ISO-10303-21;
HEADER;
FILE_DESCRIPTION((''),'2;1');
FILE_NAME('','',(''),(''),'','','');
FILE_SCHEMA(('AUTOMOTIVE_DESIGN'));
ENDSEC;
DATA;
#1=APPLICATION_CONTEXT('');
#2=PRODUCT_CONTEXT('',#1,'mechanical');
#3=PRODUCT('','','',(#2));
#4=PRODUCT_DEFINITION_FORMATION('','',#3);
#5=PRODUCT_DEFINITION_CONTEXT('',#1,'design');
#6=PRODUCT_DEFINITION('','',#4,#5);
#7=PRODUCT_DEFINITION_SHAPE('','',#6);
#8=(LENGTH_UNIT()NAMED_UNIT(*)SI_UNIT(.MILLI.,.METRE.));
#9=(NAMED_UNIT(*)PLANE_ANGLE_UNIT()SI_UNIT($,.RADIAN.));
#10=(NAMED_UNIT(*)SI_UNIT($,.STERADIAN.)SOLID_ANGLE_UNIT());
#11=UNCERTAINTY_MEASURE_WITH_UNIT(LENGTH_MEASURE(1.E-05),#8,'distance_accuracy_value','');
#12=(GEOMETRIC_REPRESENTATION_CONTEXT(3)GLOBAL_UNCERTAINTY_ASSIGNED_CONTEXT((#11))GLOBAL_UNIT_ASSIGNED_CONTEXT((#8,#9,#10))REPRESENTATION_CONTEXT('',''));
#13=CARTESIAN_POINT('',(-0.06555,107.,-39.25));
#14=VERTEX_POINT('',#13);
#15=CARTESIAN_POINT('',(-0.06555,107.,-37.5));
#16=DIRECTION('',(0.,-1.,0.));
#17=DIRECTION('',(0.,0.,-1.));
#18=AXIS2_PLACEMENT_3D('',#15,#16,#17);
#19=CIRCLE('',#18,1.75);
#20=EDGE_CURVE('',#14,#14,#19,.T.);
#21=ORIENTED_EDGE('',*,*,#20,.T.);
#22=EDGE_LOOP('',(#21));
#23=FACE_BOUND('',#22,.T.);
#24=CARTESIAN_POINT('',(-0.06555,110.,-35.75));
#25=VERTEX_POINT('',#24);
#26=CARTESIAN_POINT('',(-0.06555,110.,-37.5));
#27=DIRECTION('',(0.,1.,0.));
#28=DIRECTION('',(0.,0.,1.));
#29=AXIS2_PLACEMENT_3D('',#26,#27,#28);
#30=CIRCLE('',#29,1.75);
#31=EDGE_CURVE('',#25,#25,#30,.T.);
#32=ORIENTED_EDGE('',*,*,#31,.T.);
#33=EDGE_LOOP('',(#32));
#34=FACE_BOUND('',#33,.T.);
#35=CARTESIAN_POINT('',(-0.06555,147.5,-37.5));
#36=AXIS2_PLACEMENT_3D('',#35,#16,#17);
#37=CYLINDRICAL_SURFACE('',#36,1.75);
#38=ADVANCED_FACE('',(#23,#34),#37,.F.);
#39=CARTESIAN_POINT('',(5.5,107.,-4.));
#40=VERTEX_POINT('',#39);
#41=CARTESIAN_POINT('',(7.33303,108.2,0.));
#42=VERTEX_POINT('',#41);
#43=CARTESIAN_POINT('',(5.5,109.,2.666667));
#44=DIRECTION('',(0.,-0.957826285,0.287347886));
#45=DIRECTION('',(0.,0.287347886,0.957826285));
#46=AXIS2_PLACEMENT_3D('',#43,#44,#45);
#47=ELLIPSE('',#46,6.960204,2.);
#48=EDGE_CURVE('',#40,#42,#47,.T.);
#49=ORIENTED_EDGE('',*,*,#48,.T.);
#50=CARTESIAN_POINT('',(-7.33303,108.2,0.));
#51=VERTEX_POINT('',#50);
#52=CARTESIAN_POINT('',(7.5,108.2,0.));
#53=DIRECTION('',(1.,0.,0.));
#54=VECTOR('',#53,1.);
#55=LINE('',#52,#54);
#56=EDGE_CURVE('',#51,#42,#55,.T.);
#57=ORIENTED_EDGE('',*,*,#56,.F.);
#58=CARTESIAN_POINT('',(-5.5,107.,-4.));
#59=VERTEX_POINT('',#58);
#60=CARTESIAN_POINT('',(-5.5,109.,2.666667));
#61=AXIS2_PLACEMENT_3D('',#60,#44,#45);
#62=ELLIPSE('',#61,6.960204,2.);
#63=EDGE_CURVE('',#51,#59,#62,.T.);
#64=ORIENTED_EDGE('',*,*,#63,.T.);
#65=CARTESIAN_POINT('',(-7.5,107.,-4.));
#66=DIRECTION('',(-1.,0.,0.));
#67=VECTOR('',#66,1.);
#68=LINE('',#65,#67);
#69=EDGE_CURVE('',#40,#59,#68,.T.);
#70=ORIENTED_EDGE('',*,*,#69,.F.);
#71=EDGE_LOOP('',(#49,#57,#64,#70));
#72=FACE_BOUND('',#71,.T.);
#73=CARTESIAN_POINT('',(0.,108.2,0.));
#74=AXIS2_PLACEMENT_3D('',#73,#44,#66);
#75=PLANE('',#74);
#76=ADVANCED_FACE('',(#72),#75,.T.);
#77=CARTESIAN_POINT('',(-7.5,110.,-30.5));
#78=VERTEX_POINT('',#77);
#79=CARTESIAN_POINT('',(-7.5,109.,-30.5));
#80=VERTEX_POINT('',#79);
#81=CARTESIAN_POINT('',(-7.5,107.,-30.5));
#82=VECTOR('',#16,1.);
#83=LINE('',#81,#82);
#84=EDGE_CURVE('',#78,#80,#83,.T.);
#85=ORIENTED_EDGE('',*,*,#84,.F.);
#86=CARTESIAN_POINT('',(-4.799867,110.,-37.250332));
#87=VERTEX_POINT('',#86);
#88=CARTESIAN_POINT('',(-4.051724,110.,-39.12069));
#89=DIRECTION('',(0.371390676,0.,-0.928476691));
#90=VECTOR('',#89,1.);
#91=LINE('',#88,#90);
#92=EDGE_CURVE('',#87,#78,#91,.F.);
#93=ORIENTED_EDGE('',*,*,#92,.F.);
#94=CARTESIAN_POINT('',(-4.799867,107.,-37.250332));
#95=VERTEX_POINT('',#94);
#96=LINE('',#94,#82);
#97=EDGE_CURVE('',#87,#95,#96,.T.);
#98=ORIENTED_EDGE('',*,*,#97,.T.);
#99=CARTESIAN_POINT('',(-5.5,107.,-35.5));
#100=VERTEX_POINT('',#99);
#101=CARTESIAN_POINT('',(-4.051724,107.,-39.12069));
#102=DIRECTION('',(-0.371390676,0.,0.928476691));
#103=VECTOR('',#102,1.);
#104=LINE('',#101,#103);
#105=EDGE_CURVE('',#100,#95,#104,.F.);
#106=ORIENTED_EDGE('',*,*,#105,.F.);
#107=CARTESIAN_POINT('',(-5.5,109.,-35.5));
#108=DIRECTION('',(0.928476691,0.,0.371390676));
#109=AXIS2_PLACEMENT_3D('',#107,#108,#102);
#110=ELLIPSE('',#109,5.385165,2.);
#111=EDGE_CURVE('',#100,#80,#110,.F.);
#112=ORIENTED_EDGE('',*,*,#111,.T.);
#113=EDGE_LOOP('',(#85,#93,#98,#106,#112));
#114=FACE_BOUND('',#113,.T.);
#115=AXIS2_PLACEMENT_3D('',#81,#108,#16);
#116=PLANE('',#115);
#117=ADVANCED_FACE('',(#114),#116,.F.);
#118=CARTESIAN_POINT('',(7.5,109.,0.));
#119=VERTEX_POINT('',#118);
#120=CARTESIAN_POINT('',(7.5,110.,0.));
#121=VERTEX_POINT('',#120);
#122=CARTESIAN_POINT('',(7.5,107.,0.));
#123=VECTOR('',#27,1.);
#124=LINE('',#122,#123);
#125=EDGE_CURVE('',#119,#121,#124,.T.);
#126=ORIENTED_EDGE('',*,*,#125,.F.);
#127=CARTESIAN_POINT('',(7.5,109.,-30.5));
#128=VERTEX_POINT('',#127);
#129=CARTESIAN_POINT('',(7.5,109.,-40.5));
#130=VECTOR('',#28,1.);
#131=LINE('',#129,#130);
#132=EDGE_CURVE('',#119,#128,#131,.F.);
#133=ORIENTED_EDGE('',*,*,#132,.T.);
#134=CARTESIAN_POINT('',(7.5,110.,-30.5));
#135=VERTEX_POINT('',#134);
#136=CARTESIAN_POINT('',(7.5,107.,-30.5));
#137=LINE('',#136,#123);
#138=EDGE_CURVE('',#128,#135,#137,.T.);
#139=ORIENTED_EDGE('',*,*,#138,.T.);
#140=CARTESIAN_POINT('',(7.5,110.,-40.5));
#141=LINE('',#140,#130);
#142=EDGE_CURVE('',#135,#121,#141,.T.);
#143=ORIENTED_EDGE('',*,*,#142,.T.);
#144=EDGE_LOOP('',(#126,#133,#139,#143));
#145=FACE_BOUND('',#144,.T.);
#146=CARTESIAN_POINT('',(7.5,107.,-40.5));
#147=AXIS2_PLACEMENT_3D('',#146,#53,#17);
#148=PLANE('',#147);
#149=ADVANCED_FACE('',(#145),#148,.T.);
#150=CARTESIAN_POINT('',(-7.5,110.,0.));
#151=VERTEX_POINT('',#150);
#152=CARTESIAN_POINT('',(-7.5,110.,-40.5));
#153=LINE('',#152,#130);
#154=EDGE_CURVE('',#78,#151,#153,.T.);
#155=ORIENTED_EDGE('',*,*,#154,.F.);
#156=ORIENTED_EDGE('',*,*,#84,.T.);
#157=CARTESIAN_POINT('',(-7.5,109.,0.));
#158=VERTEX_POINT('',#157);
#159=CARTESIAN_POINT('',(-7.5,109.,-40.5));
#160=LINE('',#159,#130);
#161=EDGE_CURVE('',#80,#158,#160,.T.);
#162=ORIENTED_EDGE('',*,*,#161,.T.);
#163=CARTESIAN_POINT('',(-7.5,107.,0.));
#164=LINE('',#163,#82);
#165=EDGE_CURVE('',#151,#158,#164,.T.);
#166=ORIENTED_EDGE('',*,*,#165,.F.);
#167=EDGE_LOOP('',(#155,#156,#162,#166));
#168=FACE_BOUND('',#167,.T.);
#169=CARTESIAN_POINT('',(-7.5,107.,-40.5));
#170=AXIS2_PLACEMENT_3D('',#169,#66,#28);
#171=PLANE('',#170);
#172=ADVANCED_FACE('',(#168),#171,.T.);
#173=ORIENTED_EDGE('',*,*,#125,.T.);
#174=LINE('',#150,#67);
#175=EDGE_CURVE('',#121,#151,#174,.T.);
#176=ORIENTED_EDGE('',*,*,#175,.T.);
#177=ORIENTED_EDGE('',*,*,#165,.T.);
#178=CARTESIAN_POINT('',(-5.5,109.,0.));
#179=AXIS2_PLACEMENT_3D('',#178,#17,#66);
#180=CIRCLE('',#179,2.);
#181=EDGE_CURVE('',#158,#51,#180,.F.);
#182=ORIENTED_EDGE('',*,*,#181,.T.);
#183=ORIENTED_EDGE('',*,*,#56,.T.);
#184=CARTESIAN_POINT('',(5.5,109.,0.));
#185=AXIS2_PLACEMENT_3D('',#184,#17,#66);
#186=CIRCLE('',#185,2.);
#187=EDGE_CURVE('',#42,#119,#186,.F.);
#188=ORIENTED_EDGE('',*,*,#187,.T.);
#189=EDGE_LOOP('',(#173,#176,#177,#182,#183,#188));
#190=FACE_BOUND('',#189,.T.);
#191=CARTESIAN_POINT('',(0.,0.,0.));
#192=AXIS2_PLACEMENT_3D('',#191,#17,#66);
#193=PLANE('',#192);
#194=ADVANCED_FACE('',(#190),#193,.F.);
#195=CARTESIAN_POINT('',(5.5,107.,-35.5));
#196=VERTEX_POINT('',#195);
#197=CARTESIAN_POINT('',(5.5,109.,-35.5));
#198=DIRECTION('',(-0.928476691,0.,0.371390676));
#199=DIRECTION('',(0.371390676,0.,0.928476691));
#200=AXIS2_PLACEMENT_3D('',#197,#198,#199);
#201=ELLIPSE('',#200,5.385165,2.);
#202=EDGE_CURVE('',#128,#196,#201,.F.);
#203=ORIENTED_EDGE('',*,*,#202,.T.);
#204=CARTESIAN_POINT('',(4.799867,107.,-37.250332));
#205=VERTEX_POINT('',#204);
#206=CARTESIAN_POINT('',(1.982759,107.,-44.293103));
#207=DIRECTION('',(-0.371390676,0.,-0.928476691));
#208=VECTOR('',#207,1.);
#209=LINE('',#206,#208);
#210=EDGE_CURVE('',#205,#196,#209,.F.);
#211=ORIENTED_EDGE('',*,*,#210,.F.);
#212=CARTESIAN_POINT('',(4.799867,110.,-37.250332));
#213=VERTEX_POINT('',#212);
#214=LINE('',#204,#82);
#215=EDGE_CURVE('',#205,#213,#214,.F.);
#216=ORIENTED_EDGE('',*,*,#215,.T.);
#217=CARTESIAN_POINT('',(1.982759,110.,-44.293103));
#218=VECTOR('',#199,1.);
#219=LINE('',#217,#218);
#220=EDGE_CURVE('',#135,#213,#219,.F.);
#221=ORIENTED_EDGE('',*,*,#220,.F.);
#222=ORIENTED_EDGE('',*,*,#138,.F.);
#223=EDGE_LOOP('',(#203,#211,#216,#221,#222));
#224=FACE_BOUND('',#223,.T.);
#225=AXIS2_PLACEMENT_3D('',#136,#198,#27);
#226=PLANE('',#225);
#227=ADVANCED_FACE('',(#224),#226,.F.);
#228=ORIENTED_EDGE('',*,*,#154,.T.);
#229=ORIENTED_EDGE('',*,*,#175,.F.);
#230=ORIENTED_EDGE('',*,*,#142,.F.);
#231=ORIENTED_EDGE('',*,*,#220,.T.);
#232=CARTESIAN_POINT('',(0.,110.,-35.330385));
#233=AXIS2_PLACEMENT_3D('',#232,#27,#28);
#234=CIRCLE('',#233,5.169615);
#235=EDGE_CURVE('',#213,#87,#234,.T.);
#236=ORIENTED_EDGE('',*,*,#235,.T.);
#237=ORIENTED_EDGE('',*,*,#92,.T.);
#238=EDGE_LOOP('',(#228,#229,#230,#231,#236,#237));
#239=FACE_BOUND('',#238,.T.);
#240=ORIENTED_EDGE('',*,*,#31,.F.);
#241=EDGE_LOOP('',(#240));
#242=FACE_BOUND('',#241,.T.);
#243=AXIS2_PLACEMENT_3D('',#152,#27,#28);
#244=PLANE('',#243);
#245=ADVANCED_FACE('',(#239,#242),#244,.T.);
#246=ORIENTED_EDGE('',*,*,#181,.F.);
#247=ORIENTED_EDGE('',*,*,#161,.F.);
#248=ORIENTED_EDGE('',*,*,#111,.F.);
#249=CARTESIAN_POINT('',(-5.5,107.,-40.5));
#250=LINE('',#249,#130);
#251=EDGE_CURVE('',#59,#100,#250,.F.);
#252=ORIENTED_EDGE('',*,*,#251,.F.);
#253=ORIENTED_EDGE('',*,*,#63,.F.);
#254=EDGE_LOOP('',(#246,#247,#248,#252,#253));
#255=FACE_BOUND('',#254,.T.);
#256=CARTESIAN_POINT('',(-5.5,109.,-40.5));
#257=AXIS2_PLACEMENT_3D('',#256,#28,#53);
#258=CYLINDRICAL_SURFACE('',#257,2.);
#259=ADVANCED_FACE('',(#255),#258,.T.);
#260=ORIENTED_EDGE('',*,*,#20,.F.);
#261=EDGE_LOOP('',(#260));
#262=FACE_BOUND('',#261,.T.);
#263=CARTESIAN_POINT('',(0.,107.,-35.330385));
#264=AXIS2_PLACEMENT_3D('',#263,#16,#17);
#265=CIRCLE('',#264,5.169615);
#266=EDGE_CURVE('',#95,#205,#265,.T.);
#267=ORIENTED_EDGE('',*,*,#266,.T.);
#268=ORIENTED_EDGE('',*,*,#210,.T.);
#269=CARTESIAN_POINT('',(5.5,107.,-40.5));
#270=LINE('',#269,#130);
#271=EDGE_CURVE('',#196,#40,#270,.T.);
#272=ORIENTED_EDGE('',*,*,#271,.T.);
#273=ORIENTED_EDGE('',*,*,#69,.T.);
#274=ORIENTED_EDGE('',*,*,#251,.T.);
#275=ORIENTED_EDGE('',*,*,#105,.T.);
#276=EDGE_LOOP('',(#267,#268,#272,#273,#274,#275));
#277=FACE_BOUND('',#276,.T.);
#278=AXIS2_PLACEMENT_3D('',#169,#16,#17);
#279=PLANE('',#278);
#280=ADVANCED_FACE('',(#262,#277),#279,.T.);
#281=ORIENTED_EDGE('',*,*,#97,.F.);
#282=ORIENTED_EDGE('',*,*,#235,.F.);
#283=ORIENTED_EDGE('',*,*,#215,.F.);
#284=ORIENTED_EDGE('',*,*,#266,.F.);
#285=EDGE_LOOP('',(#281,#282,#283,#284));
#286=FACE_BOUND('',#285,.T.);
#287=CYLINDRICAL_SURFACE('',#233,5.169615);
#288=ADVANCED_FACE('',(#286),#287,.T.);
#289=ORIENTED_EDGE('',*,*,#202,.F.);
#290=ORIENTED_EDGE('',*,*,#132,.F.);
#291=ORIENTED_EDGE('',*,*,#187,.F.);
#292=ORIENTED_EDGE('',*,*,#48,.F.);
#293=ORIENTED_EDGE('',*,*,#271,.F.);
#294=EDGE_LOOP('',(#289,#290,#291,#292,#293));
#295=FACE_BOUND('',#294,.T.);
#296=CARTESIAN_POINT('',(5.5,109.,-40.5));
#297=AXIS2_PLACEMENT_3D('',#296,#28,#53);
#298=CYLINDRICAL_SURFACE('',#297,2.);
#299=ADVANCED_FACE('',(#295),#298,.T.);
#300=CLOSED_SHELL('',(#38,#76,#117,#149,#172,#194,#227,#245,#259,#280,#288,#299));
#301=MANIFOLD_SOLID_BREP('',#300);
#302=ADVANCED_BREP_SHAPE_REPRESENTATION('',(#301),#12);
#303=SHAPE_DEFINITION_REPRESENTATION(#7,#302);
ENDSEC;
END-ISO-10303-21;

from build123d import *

# Parameters (mm, degrees)
CROQUIS1_W              = 15
CROQUIS1_H              = 3
SALIENTE_EXTRUIR1_DEPTH = 40.5
CROQUIS2_OUTSIDE_W      = 25.658
CROQUIS2_OUTSIDE_H      = 51.158
CROQUIS2_OUTSIDE_W_2    = 15
CROQUIS2_OUTSIDE_H_2    = 40.5
CROQUIS2_OUTSIDE_R      = 1.75
CORTAR_EXTRUIR1_DEPTH   = 40.5
CHAFL_N1_SIZE           = 4
CHAFL_N1_SIZE2          = 1.2
CHAFL_N2_SIZE           = 4
CHAFL_N2_SIZE2          = 10
REDONDEO1_R             = 2
REDONDEO2_R             = 5.169615


with BuildPart() as part:
    # Croquis1 → Saliente-Extruir1 (new body)
    with BuildSketch(Plane.XY):
        with Locations((0, 108.5)):
            Rectangle(CROQUIS1_W, CROQUIS1_H)
    extrude(amount=-SALIENTE_EXTRUIR1_DEPTH)

    # Croquis2 outside → Cortar-Extruir1 (cut)
    # profile 1 of 2: a face of its own
    with BuildSketch(Plane.XZ.offset(-107)):
        with Locations((0, -20.25)):
            Rectangle(CROQUIS2_OUTSIDE_W, CROQUIS2_OUTSIDE_H)
        with Locations((0, -20.25)):
            Rectangle(CROQUIS2_OUTSIDE_W_2, CROQUIS2_OUTSIDE_H_2, mode=Mode.SUBTRACT)
    # profile 2 of 2: a face of its own
    with BuildSketch(Plane.XZ.offset(-107)):
        with Locations(Location((-0.065549886, -37.5, 0), (0, 0, 270))):
            Circle(CROQUIS2_OUTSIDE_R)
    extrude(amount=-CORTAR_EXTRUIR1_DEPTH, mode=Mode.SUBTRACT)

    # Chaflán1
    chafl_n1_edges = [part.edges().sort_by_distance(p)[0] for p in [
        (0, 107, 0),
    ]]
    chafl_n1_side = [part.faces().sort_by_distance(p)[0] for p in [
        (0.001054835, 107, -19.972411249),
    ]]
    chamfer(chafl_n1_edges, length=CHAFL_N1_SIZE, length2=CHAFL_N1_SIZE2, reference=chafl_n1_side[0])

    # Chaflán2
    chafl_n2_edges = [part.edges().sort_by_distance(p)[0] for p in [
        (7.5, 108.5, -40.5),
        (-7.5, 108.5, -40.5),
    ]]
    chafl_n2_side = [part.faces().sort_by_distance(p)[0] for p in [
        (0, 108.5, -40.5),
    ]]
    chamfer(chafl_n2_edges, length=CHAFL_N2_SIZE, length2=CHAFL_N2_SIZE2, reference=chafl_n2_side[0])

    # Redondeo1
    redondeo1_edges = [part.edges().sort_by_distance(p)[0] for p in [
        (-7.5, 107, -17.25),
        (7.5, 107, -17.25),
    ]]
    fillet(redondeo1_edges, radius=REDONDEO1_R)

    # Redondeo2
    redondeo2_edges = [part.edges().sort_by_distance(p)[0] for p in [
        (3.5, 108.5, -40.5),
        (-3.5, 108.5, -40.5),
    ]]
    fillet(redondeo2_edges, radius=REDONDEO2_R)


solid = part.part
